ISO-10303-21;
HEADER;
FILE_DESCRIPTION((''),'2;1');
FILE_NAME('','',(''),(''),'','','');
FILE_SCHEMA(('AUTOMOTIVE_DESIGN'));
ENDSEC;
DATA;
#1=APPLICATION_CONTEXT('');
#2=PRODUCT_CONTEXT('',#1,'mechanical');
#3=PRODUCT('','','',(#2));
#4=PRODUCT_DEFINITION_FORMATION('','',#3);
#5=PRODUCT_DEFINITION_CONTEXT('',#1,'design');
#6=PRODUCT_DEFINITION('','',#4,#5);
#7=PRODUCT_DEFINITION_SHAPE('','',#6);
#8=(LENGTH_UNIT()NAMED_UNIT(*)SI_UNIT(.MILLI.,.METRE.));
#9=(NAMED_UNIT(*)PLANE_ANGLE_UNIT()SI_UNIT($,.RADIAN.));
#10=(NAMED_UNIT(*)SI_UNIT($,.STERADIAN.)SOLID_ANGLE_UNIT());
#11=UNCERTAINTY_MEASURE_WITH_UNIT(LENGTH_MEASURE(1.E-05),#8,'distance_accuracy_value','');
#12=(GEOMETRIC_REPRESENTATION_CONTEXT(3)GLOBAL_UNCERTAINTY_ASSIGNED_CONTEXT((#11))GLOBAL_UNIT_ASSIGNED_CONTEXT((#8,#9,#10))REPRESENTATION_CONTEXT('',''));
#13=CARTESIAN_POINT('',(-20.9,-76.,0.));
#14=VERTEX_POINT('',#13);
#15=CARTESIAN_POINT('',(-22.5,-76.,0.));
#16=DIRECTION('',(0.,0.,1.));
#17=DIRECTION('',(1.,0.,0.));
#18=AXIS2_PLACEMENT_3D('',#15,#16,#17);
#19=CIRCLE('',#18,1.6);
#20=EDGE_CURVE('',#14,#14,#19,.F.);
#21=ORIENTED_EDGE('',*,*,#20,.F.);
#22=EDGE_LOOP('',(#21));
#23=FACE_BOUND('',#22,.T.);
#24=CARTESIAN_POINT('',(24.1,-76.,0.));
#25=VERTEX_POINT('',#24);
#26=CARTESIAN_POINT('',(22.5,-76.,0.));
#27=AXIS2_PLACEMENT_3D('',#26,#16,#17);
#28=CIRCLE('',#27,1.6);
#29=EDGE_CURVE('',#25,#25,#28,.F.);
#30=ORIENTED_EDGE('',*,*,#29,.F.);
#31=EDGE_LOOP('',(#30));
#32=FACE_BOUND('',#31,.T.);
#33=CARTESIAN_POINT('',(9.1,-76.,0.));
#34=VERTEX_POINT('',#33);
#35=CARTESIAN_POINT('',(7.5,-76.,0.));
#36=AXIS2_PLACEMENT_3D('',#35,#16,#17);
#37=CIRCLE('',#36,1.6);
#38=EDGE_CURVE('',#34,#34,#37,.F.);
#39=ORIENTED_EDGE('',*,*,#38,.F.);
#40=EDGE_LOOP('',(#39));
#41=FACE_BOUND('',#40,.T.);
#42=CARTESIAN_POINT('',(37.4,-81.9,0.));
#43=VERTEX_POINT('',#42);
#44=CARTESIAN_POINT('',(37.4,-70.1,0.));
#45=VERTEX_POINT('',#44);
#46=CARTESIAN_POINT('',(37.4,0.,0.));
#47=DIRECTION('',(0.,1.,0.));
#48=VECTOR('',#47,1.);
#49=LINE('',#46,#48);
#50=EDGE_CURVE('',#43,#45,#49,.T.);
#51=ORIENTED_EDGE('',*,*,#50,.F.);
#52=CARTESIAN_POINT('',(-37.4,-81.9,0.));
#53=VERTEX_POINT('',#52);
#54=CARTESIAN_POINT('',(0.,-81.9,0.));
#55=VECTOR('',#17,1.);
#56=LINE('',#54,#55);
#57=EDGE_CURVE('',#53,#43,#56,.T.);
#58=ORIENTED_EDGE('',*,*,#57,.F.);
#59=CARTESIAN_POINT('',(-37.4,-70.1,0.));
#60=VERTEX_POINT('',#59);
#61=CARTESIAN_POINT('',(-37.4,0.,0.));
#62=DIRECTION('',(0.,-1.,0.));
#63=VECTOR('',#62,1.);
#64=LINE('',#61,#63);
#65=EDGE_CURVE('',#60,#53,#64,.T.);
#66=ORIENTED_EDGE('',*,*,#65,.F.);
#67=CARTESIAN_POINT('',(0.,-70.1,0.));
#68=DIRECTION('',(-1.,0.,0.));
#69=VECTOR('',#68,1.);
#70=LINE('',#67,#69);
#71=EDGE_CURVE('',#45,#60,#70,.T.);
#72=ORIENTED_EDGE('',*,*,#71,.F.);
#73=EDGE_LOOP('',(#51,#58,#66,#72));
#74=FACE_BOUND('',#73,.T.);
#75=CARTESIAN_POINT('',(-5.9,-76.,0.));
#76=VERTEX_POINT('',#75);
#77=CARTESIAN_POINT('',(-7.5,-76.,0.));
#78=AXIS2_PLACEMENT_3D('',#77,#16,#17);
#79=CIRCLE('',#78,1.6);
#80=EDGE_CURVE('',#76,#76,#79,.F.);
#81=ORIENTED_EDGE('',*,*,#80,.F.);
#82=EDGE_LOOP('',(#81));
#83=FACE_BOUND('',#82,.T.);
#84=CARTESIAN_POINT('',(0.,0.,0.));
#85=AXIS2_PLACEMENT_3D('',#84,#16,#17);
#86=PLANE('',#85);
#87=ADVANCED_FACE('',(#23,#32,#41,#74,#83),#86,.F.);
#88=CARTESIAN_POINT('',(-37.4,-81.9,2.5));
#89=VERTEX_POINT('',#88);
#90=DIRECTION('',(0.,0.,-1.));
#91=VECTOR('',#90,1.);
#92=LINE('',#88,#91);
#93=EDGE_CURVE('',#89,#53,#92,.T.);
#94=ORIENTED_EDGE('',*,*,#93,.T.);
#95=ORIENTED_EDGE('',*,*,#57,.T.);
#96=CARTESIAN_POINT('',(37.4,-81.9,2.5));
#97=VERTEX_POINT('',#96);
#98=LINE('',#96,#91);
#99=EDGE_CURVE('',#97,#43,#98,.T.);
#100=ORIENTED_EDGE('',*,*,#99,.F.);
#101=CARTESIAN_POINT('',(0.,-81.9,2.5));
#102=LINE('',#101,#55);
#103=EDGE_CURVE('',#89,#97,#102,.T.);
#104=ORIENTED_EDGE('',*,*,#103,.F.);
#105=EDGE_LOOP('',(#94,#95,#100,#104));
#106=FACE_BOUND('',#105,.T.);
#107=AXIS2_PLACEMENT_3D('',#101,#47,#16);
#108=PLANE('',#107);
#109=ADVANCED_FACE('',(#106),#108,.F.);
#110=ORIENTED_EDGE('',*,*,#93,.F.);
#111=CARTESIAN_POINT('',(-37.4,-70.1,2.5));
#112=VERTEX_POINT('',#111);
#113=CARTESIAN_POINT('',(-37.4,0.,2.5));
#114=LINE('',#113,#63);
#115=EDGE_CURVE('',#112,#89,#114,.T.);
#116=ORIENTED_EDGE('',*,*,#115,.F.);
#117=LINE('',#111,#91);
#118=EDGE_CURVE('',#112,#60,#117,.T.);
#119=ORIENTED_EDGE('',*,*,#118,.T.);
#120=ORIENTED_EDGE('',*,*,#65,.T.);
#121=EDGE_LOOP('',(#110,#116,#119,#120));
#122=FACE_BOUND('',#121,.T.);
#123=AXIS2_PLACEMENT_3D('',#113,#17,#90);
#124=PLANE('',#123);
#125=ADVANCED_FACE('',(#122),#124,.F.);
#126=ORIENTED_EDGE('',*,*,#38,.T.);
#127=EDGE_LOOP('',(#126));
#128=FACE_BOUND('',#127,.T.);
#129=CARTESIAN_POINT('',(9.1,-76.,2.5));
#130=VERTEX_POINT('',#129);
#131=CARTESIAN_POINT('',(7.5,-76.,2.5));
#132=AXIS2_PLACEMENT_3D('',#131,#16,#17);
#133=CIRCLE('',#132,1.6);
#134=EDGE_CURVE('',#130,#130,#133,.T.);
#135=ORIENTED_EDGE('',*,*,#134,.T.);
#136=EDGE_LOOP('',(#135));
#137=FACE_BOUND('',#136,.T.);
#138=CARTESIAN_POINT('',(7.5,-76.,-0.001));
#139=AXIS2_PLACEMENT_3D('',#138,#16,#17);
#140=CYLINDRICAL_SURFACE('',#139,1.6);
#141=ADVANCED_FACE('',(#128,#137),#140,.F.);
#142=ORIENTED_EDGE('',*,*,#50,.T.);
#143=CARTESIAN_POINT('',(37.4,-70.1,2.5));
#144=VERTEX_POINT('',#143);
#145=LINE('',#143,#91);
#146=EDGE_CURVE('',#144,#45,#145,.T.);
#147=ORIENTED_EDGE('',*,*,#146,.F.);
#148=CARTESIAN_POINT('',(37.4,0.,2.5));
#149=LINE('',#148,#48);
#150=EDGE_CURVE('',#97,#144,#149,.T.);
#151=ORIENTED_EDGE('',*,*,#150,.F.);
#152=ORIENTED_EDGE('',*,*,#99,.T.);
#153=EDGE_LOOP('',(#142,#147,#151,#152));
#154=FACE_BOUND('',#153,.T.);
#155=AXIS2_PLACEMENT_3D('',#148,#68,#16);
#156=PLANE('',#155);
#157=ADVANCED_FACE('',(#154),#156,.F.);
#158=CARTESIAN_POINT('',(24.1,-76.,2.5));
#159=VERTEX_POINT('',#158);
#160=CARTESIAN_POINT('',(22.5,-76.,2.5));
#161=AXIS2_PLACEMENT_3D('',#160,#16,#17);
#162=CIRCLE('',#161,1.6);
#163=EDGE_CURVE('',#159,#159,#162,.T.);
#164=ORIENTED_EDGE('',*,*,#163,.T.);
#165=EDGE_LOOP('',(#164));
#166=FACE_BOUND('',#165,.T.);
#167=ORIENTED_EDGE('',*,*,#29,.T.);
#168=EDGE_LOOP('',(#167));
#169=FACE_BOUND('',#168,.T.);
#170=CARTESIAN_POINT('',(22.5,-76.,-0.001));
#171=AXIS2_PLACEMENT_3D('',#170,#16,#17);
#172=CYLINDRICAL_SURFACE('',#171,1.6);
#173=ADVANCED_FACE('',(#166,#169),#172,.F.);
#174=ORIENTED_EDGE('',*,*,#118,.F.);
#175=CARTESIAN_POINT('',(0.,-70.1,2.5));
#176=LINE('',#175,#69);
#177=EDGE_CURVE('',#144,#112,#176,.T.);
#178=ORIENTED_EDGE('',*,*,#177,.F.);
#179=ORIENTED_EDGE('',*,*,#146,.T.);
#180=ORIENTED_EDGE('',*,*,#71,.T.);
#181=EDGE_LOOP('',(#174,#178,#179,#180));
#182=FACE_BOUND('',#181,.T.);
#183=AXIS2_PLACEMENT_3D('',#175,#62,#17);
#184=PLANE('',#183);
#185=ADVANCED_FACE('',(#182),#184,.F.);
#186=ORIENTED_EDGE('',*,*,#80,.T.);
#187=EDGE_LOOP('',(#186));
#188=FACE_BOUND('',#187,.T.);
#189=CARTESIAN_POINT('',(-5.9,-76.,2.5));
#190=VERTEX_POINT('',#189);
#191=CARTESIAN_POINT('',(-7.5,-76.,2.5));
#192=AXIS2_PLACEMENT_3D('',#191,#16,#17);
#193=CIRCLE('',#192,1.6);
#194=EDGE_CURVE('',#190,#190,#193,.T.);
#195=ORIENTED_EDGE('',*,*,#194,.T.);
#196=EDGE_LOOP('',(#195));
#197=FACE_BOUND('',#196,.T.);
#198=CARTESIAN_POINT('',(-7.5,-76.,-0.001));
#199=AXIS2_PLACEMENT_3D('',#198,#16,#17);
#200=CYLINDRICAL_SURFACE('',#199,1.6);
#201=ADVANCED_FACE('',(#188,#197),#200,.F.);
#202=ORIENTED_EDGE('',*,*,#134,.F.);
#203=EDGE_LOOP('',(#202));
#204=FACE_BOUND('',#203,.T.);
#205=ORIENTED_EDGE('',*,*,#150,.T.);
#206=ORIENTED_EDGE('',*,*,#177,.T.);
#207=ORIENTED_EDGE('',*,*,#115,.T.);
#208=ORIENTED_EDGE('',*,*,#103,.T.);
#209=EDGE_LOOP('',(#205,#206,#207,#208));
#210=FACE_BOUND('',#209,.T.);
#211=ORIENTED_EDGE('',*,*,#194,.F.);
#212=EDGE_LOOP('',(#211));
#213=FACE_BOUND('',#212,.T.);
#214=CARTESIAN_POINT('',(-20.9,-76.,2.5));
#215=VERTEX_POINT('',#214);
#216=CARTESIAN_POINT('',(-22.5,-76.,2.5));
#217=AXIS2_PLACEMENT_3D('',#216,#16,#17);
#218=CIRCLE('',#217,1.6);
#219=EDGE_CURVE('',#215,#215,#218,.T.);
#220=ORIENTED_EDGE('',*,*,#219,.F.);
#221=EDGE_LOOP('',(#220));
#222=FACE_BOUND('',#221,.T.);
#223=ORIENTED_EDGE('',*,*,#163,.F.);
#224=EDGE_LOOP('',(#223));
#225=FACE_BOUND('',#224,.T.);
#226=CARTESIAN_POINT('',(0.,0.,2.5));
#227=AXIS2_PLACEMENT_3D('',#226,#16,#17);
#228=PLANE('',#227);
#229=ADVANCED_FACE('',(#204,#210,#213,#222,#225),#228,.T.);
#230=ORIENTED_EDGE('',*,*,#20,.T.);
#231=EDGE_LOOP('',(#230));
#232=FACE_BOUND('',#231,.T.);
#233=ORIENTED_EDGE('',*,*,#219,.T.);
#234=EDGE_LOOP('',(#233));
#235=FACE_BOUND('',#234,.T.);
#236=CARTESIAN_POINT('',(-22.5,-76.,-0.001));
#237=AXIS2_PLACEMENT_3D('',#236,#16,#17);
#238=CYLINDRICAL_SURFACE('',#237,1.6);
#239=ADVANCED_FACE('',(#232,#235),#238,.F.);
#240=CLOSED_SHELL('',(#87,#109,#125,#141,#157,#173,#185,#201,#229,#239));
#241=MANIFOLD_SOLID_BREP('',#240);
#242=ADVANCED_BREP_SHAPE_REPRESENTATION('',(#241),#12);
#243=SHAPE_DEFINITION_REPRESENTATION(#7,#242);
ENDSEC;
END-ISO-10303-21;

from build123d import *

# Parameters (mm, degrees)
CROQUIS1_W              = 74.8
CROQUIS1_H              = 11.8
SALIENTE_EXTRUIR1_DEPTH = 2.5
CORTAR_EXTRUIR1_REACH   = 4.5
CROQUIS2_R              = 1.6


with BuildPart() as part:
    # Croquis1 → Saliente-Extruir1 (new body)
    with BuildSketch(Plane.XY):
        with Locations((0, -76)):
            Rectangle(CROQUIS1_W, CROQUIS1_H)
    extrude(amount=SALIENTE_EXTRUIR1_DEPTH)

    # Croquis2 → Cortar-Extruir1 (cut, up to next)
    with BuildSketch(Plane.XY.offset(2.5), mode=Mode.PRIVATE) as cortar_extruir1_sk1:
        with Locations((-22.5, -76)):
            Circle(CROQUIS2_R)
    cortar_extruir1_tool1 = extrude(cortar_extruir1_sk1.sketch, amount=-CORTAR_EXTRUIR1_REACH, mode=Mode.PRIVATE) & part.part
    add(cortar_extruir1_tool1.solids().sort_by_distance((-22.5, -76, 2.5))[0], mode=Mode.SUBTRACT)
    # Croquis2 → Cortar-Extruir1 (cut, up to next)
    with BuildSketch(Plane.XY.offset(2.5), mode=Mode.PRIVATE) as cortar_extruir1_sk2:
        with Locations((22.5, -76)):
            Circle(CROQUIS2_R)
    cortar_extruir1_tool2 = extrude(cortar_extruir1_sk2.sketch, amount=-CORTAR_EXTRUIR1_REACH, mode=Mode.PRIVATE) & part.part
    add(cortar_extruir1_tool2.solids().sort_by_distance((22.5, -76, 2.5))[0], mode=Mode.SUBTRACT)
    # Croquis2 → Cortar-Extruir1 (cut, up to next)
    with BuildSketch(Plane.XY.offset(2.5), mode=Mode.PRIVATE) as cortar_extruir1_sk3:
        with Locations((-7.5, -76)):
            Circle(CROQUIS2_R)
    cortar_extruir1_tool3 = extrude(cortar_extruir1_sk3.sketch, amount=-CORTAR_EXTRUIR1_REACH, mode=Mode.PRIVATE) & part.part
    add(cortar_extruir1_tool3.solids().sort_by_distance((-7.5, -76, 2.5))[0], mode=Mode.SUBTRACT)
    # Croquis2 → Cortar-Extruir1 (cut, up to next)
    with BuildSketch(Plane.XY.offset(2.5), mode=Mode.PRIVATE) as cortar_extruir1_sk4:
        with Locations((7.5, -76)):
            Circle(CROQUIS2_R)
    cortar_extruir1_tool4 = extrude(cortar_extruir1_sk4.sketch, amount=-CORTAR_EXTRUIR1_REACH, mode=Mode.PRIVATE) & part.part
    add(cortar_extruir1_tool4.solids().sort_by_distance((7.5, -76, 2.5))[0], mode=Mode.SUBTRACT)


solid = part.part
